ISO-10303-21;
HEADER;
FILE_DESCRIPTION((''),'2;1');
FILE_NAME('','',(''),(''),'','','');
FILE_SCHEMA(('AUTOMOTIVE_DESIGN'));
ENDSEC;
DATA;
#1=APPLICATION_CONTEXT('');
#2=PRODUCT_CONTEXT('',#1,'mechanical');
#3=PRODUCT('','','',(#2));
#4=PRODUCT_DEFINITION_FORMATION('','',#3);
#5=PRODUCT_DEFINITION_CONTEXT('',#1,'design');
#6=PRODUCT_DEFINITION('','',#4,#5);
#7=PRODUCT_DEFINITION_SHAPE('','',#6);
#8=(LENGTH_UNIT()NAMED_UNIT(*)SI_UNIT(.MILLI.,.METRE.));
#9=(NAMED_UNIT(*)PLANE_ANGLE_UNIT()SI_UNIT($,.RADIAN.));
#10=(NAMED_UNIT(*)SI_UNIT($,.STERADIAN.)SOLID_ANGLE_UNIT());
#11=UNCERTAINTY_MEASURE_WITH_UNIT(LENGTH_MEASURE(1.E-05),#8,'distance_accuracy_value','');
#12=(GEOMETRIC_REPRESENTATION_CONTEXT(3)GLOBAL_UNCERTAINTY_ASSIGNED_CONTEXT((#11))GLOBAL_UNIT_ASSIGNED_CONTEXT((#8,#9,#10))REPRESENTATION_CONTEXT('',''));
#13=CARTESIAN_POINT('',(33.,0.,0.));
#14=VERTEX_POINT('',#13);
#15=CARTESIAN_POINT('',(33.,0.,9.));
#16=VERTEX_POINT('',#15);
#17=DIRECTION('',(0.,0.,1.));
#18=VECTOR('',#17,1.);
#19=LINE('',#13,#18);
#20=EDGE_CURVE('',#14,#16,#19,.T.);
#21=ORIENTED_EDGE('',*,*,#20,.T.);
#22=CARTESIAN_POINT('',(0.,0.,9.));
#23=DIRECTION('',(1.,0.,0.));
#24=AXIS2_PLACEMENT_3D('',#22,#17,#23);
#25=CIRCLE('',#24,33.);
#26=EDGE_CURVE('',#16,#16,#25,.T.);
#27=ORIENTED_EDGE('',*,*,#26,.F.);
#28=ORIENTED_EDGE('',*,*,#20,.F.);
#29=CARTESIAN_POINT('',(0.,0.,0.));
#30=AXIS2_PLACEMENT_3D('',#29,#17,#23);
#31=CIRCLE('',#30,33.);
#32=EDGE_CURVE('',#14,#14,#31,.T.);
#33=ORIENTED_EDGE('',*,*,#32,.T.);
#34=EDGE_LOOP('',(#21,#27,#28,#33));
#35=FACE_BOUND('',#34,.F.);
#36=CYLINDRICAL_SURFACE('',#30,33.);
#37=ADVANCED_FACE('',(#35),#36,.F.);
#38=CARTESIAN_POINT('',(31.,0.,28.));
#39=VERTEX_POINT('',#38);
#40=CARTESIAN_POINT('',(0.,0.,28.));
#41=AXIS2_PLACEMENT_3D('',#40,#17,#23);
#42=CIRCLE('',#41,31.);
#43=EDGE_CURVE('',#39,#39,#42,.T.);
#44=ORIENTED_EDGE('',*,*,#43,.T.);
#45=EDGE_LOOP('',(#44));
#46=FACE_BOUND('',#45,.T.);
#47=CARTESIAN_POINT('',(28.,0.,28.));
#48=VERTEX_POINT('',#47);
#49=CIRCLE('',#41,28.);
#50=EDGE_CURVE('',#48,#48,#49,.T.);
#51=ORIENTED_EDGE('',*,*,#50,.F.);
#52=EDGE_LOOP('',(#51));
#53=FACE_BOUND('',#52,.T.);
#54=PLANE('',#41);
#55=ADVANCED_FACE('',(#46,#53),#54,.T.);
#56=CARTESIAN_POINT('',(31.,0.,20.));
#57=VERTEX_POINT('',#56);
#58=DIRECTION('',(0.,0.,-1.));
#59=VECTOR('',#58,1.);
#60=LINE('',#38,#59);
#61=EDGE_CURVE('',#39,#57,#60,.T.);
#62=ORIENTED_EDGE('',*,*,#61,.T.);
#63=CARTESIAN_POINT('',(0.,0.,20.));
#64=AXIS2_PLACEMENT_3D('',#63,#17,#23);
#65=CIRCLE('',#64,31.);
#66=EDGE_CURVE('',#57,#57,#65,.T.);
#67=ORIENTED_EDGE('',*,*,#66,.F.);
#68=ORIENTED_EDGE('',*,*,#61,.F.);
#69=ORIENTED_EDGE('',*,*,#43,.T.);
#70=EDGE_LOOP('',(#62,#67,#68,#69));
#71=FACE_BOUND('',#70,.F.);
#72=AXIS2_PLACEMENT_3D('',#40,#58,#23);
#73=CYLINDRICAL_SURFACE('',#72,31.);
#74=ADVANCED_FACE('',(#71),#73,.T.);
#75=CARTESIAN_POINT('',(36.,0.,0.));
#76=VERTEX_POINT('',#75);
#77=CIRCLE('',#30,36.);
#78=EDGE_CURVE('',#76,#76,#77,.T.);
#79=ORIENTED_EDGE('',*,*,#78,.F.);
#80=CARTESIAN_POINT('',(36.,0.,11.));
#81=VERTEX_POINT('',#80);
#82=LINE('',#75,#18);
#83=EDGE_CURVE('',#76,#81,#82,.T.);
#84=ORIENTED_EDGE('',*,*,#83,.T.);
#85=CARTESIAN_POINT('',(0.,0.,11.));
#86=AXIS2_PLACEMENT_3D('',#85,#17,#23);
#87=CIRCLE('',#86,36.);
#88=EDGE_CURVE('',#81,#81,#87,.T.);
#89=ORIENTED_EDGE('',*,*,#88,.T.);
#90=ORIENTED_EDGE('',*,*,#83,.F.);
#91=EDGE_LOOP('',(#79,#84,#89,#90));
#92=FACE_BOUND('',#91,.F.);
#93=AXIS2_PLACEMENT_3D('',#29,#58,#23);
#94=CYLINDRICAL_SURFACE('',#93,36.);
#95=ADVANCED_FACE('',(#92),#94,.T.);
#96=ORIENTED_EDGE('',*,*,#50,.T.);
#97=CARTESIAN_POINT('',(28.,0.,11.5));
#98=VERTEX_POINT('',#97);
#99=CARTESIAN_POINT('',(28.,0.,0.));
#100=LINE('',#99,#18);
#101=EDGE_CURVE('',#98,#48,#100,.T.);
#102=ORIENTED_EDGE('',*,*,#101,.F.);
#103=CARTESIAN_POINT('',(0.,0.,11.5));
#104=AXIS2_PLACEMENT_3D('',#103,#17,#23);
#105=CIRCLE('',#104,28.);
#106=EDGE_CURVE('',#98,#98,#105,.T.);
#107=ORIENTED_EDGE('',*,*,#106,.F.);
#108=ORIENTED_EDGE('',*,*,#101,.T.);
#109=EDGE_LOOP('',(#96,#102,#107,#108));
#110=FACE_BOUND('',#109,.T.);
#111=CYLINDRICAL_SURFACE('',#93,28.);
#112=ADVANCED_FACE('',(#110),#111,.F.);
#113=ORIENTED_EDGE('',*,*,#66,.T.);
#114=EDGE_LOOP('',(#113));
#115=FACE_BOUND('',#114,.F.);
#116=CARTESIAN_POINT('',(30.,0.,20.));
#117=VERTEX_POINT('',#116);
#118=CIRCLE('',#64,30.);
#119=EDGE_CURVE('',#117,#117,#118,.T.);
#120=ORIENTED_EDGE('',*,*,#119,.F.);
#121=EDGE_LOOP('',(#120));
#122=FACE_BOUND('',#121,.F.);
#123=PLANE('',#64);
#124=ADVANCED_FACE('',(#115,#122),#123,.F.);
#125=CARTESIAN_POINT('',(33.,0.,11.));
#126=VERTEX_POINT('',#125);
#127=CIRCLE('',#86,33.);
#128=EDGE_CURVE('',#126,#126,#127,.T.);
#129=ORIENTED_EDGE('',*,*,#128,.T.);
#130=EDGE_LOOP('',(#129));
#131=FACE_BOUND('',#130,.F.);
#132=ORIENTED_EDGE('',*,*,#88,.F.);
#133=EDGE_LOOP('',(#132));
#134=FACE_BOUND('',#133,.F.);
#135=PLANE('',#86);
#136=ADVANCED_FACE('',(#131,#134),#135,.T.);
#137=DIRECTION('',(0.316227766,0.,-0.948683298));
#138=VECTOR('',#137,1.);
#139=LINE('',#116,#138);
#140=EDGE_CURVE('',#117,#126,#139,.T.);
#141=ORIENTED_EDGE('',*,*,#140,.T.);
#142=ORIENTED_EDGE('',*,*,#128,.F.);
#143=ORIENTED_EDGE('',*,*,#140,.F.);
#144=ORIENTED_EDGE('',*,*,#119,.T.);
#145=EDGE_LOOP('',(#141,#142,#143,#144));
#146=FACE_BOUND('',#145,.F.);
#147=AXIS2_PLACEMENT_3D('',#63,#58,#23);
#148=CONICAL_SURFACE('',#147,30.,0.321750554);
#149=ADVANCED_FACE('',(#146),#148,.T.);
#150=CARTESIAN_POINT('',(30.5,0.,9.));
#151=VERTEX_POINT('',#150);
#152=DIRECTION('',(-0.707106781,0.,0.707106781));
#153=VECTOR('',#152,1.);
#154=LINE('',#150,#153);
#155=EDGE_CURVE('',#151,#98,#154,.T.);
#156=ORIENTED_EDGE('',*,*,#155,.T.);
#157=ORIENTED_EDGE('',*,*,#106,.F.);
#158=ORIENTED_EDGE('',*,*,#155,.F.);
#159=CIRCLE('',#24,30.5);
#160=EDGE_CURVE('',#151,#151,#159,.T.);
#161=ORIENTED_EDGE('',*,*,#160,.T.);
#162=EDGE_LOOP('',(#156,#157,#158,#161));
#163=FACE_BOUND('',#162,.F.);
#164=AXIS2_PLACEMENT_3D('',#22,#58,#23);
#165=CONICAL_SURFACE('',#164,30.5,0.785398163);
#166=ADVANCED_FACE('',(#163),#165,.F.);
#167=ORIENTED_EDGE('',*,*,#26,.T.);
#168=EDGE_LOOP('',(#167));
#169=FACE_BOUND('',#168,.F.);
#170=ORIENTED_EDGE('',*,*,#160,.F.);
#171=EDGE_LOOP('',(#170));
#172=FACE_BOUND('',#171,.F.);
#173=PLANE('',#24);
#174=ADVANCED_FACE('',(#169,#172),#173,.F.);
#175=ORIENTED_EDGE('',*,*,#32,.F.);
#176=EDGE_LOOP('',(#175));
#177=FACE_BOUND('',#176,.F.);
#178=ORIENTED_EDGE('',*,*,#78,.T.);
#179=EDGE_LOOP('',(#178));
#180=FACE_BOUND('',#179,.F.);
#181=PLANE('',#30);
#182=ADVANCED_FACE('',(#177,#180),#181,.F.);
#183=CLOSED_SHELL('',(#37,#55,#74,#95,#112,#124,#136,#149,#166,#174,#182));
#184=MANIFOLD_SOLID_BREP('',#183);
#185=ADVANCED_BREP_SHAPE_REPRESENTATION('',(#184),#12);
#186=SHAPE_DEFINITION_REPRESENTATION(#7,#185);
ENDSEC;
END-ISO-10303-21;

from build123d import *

# Parameters (mm, degrees)
F0_R     = 36
F0_R_2   = 28
F1_DEPTH = 28


with BuildPart() as f1:
    # F0 (on Top) → F1 (new body)
    with BuildSketch(Plane.XY):
        Circle(F0_R)
        Circle(F0_R_2, mode=Mode.SUBTRACT)
    extrude(amount=F1_DEPTH)

    # F2 (on Front) → F3 (revolve, cut)
    with BuildSketch(Plane.XZ):
        Polygon((33, 11), (36, 11), (49.779378, 8.35741), (48.804417, 33.795059), (31, 28), (31, 20), (30, 20), align=None)
        Polygon((22.764102, -1.316811), (33, 0), (33, 9), (30.5, 9), (28, 11.5), align=None)
    revolve(axis=Axis((0, 0, 14), (0, 0, 1)), mode=Mode.SUBTRACT)


solid = f1.part
